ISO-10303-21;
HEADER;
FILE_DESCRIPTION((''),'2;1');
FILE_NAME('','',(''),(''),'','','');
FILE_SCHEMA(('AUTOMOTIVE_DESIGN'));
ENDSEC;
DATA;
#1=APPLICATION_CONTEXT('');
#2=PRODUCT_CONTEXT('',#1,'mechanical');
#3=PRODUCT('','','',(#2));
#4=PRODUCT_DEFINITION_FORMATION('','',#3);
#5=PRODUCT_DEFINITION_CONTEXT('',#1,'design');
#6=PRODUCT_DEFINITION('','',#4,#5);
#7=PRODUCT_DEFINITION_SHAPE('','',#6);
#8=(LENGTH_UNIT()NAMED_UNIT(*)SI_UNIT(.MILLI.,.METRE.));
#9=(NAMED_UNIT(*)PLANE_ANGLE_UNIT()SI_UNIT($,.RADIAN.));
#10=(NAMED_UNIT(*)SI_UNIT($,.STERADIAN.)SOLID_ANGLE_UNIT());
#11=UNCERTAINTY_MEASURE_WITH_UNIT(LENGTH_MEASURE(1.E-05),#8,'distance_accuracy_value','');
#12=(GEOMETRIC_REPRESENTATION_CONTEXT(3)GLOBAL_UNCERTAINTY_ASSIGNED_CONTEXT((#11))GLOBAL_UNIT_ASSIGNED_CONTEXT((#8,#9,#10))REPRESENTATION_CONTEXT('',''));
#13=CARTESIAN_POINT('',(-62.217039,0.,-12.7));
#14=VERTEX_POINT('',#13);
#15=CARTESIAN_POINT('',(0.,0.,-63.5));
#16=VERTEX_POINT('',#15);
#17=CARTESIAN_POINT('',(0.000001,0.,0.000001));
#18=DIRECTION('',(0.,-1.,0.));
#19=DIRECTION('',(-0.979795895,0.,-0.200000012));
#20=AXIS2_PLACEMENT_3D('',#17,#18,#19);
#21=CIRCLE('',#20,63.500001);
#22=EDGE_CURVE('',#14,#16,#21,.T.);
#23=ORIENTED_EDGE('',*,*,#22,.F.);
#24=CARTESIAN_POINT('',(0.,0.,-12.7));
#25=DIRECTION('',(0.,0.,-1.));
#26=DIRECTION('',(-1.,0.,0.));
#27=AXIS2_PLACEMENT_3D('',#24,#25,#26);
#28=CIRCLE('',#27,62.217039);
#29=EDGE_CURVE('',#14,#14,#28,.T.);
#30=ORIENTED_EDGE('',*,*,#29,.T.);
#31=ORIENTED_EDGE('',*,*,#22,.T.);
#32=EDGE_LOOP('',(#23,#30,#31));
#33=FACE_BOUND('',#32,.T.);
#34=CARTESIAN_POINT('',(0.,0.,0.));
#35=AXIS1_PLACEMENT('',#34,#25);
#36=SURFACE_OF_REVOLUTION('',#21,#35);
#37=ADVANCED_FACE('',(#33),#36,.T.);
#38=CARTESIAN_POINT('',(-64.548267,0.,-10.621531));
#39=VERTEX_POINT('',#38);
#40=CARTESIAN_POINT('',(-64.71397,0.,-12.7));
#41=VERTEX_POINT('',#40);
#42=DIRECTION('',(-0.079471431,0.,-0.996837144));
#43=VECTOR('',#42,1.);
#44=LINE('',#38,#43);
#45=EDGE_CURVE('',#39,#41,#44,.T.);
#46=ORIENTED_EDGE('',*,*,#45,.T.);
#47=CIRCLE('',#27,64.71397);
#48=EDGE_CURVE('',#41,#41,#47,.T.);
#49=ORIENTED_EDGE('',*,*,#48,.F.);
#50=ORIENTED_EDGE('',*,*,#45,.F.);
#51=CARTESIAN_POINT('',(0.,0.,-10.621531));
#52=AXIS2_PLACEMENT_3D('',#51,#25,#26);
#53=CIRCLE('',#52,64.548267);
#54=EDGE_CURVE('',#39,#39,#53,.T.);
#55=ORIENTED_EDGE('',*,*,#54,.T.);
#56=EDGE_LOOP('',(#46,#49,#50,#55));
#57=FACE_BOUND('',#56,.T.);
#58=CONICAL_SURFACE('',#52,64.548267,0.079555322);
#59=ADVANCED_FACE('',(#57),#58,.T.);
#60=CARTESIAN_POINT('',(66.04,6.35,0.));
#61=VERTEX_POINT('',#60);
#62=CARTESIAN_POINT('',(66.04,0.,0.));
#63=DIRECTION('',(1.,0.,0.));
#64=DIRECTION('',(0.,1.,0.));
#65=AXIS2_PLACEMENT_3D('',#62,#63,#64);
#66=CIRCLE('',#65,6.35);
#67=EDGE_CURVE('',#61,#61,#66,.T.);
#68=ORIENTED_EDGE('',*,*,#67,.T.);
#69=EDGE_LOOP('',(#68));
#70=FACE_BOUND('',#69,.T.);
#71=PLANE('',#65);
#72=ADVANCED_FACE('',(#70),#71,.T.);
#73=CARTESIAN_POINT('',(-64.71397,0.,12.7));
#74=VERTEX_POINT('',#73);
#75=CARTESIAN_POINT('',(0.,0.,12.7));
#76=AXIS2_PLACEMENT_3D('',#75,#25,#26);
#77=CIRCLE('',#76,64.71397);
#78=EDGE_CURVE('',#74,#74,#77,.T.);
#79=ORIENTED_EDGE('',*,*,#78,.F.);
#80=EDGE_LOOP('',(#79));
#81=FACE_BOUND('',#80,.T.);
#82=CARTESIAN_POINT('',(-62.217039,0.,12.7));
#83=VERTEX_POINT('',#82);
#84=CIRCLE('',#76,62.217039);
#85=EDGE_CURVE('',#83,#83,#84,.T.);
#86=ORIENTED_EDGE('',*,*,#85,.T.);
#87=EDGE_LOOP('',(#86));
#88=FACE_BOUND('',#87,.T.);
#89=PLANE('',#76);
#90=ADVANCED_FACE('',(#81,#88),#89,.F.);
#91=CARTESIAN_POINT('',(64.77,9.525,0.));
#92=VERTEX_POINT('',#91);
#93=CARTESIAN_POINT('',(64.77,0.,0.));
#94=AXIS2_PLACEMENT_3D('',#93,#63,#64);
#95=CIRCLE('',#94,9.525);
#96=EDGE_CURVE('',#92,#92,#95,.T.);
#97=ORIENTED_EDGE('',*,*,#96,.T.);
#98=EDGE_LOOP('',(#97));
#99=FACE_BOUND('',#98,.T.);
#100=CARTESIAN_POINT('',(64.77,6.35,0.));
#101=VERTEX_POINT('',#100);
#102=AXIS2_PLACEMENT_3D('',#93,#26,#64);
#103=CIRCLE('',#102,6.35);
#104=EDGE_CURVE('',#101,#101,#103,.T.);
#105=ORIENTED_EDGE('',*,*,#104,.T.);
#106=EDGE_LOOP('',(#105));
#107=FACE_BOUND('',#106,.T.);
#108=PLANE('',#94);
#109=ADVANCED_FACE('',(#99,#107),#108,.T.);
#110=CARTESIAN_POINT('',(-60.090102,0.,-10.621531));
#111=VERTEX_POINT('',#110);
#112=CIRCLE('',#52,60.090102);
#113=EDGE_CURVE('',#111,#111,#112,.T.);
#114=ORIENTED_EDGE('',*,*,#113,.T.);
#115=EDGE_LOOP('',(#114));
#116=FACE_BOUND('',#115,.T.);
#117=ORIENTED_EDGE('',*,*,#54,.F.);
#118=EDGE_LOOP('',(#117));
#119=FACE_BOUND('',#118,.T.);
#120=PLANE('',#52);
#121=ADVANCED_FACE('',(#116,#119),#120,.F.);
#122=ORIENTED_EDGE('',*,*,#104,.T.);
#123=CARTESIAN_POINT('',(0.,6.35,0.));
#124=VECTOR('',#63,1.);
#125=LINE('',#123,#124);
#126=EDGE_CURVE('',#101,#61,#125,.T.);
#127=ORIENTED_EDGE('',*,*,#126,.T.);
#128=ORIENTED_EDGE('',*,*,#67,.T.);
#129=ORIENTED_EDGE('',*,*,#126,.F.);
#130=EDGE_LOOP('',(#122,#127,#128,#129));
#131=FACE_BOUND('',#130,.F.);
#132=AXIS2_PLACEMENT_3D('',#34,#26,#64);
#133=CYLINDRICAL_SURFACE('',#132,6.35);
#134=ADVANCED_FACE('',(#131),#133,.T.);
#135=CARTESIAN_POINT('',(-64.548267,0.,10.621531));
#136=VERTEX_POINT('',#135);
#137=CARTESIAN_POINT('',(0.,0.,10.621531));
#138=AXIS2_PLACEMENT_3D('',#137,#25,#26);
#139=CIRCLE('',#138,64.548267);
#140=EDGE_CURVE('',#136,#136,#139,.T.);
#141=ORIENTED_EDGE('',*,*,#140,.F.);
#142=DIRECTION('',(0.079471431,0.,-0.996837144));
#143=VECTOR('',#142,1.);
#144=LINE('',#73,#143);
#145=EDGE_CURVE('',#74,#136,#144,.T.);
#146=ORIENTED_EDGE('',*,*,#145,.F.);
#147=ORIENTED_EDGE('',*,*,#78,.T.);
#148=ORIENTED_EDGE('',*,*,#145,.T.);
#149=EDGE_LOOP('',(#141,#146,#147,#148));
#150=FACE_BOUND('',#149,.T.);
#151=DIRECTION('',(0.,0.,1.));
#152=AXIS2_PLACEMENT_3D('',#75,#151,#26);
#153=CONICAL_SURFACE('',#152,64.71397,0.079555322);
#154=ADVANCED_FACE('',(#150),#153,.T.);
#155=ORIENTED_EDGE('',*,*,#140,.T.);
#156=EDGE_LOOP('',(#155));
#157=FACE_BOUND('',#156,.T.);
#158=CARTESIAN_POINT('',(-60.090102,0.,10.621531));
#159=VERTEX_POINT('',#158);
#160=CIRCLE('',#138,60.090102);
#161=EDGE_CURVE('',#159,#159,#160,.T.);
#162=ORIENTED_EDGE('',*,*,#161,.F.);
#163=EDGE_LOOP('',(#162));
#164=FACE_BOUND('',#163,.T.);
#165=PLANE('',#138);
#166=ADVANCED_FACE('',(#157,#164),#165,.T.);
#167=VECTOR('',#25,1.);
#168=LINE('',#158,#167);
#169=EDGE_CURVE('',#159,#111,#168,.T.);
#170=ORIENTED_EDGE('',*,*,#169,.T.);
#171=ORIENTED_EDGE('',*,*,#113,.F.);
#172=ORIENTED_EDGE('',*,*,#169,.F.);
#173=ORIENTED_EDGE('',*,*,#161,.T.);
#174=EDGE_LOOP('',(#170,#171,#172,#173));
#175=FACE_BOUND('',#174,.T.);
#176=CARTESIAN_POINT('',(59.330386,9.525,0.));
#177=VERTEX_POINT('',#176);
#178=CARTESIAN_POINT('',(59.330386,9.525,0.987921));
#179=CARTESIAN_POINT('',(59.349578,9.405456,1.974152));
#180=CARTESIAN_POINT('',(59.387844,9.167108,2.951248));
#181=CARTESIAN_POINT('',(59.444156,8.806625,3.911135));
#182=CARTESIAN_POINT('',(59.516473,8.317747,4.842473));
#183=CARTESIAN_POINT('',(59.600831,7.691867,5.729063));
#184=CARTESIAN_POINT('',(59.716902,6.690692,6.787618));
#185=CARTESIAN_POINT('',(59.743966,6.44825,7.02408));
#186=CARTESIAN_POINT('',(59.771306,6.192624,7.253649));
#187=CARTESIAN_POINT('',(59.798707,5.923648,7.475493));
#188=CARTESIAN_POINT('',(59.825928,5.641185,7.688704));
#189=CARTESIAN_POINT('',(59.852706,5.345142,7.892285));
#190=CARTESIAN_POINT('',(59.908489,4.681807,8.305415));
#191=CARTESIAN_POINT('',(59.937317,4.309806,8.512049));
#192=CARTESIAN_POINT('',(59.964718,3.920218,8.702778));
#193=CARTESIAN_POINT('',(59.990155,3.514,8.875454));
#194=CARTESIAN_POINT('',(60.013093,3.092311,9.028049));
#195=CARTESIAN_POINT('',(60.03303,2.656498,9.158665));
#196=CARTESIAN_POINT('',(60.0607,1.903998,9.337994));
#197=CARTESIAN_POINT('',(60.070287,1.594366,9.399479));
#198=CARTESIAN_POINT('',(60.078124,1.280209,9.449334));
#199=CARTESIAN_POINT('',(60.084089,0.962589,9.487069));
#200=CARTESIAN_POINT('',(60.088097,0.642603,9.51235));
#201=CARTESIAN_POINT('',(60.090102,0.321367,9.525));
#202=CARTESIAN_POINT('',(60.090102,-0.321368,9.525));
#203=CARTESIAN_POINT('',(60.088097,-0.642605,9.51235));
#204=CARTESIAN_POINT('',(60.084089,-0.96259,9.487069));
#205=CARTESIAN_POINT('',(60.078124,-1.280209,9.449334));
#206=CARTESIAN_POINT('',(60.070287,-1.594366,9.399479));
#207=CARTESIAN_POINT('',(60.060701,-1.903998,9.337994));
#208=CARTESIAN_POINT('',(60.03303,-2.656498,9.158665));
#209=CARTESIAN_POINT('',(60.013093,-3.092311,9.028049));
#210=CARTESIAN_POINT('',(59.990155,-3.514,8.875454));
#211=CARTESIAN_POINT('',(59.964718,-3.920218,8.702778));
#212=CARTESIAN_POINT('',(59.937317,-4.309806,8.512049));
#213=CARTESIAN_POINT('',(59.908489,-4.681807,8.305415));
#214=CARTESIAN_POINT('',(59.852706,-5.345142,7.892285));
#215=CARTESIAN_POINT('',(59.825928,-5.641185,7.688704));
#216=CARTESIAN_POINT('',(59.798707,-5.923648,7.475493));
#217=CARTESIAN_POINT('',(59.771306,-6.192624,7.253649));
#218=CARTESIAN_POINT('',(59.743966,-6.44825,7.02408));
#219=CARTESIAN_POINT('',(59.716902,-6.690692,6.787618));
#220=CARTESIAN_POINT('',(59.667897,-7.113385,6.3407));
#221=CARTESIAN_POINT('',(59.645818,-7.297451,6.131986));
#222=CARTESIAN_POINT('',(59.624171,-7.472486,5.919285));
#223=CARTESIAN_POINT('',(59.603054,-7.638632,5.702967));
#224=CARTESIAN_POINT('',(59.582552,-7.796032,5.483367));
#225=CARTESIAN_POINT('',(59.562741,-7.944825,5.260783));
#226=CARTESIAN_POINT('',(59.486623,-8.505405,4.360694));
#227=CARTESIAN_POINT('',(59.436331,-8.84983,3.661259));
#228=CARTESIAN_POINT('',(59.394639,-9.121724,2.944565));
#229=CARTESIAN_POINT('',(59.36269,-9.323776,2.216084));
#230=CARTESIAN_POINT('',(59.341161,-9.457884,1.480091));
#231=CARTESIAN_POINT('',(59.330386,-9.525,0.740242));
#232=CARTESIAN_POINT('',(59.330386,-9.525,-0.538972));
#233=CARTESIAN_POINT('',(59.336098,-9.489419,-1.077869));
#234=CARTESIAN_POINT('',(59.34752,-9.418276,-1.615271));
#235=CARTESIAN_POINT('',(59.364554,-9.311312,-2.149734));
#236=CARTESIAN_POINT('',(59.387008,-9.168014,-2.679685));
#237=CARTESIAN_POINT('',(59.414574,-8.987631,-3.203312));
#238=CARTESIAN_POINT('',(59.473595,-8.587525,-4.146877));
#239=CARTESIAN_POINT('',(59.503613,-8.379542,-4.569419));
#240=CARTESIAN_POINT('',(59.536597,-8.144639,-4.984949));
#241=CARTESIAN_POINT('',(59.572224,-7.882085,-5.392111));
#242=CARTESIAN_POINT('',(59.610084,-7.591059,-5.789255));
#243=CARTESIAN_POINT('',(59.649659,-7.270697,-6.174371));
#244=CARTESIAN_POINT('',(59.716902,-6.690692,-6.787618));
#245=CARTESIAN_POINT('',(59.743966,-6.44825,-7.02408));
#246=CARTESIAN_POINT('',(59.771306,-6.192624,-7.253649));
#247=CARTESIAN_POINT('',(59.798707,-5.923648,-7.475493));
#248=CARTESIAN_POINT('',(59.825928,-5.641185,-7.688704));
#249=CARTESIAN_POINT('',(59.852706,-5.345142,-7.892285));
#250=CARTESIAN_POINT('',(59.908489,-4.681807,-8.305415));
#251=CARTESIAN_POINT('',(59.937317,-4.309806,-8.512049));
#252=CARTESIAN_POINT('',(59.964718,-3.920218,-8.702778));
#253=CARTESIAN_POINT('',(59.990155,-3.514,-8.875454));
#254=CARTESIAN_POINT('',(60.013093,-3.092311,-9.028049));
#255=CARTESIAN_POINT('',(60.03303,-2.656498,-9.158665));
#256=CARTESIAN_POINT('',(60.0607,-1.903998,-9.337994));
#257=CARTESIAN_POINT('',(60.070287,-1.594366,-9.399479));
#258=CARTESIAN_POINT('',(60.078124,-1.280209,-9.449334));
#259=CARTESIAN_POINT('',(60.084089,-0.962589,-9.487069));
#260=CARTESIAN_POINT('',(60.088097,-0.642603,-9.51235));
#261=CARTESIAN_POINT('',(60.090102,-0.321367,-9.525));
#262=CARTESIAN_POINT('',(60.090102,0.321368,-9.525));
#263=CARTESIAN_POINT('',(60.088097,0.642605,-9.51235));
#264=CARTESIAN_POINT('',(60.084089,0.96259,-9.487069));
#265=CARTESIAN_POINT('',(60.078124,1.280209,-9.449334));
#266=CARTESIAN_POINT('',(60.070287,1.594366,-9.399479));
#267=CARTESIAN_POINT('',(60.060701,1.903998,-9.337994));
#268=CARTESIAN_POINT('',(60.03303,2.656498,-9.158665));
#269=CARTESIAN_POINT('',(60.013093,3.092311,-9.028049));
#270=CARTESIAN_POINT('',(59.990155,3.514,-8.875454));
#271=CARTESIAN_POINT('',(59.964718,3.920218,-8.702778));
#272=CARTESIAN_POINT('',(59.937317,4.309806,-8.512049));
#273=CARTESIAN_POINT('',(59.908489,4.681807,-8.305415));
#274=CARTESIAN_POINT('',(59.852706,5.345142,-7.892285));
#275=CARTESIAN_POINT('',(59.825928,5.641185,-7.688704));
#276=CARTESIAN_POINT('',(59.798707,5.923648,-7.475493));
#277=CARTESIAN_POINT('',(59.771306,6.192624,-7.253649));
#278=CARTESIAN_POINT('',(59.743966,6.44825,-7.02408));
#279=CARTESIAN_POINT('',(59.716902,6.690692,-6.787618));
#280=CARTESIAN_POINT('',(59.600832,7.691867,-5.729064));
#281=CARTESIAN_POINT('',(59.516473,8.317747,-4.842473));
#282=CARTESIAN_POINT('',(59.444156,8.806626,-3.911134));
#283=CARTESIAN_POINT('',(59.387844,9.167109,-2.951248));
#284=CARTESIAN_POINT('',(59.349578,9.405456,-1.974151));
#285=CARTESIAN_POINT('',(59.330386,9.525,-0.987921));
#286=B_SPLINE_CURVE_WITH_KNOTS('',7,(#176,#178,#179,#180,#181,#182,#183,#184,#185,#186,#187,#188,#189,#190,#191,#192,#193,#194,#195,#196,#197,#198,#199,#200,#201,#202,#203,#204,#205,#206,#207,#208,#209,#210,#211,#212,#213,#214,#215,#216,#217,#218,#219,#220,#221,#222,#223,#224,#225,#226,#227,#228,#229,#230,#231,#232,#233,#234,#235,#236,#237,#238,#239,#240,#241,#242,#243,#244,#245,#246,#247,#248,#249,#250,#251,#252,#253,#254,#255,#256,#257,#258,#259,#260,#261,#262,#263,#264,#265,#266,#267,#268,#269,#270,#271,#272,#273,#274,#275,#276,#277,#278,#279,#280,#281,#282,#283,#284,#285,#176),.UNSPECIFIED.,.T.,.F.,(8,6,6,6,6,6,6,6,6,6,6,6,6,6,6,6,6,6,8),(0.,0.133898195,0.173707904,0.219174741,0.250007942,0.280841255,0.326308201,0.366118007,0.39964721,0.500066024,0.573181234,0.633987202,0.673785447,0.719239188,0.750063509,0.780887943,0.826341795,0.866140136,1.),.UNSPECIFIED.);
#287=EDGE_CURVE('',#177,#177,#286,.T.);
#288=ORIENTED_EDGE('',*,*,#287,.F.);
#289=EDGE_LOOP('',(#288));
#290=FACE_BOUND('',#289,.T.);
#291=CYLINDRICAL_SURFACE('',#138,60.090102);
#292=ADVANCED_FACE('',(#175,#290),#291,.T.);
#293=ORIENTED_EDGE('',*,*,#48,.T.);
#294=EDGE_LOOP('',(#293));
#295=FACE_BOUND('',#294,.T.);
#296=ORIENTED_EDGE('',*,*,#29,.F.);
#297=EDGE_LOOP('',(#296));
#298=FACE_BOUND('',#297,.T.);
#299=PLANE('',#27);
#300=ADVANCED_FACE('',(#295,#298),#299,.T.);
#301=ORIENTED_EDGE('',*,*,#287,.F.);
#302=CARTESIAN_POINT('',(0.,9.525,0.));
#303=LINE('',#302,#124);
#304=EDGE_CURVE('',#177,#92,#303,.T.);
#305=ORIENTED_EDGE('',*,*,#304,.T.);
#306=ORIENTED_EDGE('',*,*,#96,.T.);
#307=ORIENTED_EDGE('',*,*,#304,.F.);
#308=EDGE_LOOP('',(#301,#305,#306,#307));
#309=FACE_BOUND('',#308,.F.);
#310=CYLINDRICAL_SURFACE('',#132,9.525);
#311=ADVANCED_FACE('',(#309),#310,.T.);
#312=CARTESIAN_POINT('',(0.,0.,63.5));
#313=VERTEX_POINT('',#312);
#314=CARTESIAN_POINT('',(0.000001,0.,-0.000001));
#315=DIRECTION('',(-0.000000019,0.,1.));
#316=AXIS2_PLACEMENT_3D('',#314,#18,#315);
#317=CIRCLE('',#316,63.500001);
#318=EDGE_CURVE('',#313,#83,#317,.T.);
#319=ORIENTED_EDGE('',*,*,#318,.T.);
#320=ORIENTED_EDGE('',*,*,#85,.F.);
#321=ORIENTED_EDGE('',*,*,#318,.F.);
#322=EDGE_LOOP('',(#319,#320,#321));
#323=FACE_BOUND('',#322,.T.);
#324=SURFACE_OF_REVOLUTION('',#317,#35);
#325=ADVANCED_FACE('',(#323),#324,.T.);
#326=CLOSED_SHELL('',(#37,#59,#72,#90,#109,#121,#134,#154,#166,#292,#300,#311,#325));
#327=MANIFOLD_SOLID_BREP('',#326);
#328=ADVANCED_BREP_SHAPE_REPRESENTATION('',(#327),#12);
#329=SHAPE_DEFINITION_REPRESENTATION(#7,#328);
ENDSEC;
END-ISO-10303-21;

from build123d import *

# Parameters (mm, degrees)
F1_R     = 6.35
F2_DEPTH = 66.04
F4_R     = 9.525
F5_DEPTH = 64.77


with BuildPart() as f2:
    # F1 (on Right) → F2 (new body)
    with BuildSketch(Plane.YZ):
        Circle(F1_R)
    extrude(amount=F2_DEPTH)

    # F0 (on Front) → F3 (revolve)
    with BuildSketch(Plane.XZ):
        with BuildLine():
            Line((0, 12.7), (0, 63.5))
            ThreePointArc((0, 63.5), (-40.160926, 49.186888), (-62.217039, 12.7))
            Line((-62.217039, 12.7), (-60.090102, 12.7))
            Line((-60.090102, 12.7), (0, 12.7))
        make_face()
        Polygon((-60.090102, 12.7), (-62.217039, 12.7), (-64.71397, 12.7), (-64.548267, 10.621531), (-60.090102, 10.621531), align=None)
        Polygon((0, -12.7), (0, 12.7), (-60.090102, 12.7), (-60.090102, 10.621531), (-60.090102, -10.621531), (-60.090102, -12.7), align=None)
        with BuildLine():
            Line((0, -63.5), (0, -12.7))
            Line((0, -12.7), (-60.090102, -12.7))
            Line((-60.090102, -12.7), (-62.217039, -12.7))
            ThreePointArc((-62.217039, -12.7), (-40.160926, -49.186888), (0, -63.5))
        make_face()
        Polygon((-62.217039, -12.7), (-60.090102, -12.7), (-60.090102, -10.621531), (-64.548267, -10.621531), (-64.71397, -12.7), align=None)
    revolve(axis=Axis((0, 0, 0), (0, 0, -1)))

    # F4 (on Right) → F5 (join)
    with BuildSketch(Plane.YZ):
        Circle(F4_R)
    extrude(amount=F5_DEPTH)


solid = f2.part
